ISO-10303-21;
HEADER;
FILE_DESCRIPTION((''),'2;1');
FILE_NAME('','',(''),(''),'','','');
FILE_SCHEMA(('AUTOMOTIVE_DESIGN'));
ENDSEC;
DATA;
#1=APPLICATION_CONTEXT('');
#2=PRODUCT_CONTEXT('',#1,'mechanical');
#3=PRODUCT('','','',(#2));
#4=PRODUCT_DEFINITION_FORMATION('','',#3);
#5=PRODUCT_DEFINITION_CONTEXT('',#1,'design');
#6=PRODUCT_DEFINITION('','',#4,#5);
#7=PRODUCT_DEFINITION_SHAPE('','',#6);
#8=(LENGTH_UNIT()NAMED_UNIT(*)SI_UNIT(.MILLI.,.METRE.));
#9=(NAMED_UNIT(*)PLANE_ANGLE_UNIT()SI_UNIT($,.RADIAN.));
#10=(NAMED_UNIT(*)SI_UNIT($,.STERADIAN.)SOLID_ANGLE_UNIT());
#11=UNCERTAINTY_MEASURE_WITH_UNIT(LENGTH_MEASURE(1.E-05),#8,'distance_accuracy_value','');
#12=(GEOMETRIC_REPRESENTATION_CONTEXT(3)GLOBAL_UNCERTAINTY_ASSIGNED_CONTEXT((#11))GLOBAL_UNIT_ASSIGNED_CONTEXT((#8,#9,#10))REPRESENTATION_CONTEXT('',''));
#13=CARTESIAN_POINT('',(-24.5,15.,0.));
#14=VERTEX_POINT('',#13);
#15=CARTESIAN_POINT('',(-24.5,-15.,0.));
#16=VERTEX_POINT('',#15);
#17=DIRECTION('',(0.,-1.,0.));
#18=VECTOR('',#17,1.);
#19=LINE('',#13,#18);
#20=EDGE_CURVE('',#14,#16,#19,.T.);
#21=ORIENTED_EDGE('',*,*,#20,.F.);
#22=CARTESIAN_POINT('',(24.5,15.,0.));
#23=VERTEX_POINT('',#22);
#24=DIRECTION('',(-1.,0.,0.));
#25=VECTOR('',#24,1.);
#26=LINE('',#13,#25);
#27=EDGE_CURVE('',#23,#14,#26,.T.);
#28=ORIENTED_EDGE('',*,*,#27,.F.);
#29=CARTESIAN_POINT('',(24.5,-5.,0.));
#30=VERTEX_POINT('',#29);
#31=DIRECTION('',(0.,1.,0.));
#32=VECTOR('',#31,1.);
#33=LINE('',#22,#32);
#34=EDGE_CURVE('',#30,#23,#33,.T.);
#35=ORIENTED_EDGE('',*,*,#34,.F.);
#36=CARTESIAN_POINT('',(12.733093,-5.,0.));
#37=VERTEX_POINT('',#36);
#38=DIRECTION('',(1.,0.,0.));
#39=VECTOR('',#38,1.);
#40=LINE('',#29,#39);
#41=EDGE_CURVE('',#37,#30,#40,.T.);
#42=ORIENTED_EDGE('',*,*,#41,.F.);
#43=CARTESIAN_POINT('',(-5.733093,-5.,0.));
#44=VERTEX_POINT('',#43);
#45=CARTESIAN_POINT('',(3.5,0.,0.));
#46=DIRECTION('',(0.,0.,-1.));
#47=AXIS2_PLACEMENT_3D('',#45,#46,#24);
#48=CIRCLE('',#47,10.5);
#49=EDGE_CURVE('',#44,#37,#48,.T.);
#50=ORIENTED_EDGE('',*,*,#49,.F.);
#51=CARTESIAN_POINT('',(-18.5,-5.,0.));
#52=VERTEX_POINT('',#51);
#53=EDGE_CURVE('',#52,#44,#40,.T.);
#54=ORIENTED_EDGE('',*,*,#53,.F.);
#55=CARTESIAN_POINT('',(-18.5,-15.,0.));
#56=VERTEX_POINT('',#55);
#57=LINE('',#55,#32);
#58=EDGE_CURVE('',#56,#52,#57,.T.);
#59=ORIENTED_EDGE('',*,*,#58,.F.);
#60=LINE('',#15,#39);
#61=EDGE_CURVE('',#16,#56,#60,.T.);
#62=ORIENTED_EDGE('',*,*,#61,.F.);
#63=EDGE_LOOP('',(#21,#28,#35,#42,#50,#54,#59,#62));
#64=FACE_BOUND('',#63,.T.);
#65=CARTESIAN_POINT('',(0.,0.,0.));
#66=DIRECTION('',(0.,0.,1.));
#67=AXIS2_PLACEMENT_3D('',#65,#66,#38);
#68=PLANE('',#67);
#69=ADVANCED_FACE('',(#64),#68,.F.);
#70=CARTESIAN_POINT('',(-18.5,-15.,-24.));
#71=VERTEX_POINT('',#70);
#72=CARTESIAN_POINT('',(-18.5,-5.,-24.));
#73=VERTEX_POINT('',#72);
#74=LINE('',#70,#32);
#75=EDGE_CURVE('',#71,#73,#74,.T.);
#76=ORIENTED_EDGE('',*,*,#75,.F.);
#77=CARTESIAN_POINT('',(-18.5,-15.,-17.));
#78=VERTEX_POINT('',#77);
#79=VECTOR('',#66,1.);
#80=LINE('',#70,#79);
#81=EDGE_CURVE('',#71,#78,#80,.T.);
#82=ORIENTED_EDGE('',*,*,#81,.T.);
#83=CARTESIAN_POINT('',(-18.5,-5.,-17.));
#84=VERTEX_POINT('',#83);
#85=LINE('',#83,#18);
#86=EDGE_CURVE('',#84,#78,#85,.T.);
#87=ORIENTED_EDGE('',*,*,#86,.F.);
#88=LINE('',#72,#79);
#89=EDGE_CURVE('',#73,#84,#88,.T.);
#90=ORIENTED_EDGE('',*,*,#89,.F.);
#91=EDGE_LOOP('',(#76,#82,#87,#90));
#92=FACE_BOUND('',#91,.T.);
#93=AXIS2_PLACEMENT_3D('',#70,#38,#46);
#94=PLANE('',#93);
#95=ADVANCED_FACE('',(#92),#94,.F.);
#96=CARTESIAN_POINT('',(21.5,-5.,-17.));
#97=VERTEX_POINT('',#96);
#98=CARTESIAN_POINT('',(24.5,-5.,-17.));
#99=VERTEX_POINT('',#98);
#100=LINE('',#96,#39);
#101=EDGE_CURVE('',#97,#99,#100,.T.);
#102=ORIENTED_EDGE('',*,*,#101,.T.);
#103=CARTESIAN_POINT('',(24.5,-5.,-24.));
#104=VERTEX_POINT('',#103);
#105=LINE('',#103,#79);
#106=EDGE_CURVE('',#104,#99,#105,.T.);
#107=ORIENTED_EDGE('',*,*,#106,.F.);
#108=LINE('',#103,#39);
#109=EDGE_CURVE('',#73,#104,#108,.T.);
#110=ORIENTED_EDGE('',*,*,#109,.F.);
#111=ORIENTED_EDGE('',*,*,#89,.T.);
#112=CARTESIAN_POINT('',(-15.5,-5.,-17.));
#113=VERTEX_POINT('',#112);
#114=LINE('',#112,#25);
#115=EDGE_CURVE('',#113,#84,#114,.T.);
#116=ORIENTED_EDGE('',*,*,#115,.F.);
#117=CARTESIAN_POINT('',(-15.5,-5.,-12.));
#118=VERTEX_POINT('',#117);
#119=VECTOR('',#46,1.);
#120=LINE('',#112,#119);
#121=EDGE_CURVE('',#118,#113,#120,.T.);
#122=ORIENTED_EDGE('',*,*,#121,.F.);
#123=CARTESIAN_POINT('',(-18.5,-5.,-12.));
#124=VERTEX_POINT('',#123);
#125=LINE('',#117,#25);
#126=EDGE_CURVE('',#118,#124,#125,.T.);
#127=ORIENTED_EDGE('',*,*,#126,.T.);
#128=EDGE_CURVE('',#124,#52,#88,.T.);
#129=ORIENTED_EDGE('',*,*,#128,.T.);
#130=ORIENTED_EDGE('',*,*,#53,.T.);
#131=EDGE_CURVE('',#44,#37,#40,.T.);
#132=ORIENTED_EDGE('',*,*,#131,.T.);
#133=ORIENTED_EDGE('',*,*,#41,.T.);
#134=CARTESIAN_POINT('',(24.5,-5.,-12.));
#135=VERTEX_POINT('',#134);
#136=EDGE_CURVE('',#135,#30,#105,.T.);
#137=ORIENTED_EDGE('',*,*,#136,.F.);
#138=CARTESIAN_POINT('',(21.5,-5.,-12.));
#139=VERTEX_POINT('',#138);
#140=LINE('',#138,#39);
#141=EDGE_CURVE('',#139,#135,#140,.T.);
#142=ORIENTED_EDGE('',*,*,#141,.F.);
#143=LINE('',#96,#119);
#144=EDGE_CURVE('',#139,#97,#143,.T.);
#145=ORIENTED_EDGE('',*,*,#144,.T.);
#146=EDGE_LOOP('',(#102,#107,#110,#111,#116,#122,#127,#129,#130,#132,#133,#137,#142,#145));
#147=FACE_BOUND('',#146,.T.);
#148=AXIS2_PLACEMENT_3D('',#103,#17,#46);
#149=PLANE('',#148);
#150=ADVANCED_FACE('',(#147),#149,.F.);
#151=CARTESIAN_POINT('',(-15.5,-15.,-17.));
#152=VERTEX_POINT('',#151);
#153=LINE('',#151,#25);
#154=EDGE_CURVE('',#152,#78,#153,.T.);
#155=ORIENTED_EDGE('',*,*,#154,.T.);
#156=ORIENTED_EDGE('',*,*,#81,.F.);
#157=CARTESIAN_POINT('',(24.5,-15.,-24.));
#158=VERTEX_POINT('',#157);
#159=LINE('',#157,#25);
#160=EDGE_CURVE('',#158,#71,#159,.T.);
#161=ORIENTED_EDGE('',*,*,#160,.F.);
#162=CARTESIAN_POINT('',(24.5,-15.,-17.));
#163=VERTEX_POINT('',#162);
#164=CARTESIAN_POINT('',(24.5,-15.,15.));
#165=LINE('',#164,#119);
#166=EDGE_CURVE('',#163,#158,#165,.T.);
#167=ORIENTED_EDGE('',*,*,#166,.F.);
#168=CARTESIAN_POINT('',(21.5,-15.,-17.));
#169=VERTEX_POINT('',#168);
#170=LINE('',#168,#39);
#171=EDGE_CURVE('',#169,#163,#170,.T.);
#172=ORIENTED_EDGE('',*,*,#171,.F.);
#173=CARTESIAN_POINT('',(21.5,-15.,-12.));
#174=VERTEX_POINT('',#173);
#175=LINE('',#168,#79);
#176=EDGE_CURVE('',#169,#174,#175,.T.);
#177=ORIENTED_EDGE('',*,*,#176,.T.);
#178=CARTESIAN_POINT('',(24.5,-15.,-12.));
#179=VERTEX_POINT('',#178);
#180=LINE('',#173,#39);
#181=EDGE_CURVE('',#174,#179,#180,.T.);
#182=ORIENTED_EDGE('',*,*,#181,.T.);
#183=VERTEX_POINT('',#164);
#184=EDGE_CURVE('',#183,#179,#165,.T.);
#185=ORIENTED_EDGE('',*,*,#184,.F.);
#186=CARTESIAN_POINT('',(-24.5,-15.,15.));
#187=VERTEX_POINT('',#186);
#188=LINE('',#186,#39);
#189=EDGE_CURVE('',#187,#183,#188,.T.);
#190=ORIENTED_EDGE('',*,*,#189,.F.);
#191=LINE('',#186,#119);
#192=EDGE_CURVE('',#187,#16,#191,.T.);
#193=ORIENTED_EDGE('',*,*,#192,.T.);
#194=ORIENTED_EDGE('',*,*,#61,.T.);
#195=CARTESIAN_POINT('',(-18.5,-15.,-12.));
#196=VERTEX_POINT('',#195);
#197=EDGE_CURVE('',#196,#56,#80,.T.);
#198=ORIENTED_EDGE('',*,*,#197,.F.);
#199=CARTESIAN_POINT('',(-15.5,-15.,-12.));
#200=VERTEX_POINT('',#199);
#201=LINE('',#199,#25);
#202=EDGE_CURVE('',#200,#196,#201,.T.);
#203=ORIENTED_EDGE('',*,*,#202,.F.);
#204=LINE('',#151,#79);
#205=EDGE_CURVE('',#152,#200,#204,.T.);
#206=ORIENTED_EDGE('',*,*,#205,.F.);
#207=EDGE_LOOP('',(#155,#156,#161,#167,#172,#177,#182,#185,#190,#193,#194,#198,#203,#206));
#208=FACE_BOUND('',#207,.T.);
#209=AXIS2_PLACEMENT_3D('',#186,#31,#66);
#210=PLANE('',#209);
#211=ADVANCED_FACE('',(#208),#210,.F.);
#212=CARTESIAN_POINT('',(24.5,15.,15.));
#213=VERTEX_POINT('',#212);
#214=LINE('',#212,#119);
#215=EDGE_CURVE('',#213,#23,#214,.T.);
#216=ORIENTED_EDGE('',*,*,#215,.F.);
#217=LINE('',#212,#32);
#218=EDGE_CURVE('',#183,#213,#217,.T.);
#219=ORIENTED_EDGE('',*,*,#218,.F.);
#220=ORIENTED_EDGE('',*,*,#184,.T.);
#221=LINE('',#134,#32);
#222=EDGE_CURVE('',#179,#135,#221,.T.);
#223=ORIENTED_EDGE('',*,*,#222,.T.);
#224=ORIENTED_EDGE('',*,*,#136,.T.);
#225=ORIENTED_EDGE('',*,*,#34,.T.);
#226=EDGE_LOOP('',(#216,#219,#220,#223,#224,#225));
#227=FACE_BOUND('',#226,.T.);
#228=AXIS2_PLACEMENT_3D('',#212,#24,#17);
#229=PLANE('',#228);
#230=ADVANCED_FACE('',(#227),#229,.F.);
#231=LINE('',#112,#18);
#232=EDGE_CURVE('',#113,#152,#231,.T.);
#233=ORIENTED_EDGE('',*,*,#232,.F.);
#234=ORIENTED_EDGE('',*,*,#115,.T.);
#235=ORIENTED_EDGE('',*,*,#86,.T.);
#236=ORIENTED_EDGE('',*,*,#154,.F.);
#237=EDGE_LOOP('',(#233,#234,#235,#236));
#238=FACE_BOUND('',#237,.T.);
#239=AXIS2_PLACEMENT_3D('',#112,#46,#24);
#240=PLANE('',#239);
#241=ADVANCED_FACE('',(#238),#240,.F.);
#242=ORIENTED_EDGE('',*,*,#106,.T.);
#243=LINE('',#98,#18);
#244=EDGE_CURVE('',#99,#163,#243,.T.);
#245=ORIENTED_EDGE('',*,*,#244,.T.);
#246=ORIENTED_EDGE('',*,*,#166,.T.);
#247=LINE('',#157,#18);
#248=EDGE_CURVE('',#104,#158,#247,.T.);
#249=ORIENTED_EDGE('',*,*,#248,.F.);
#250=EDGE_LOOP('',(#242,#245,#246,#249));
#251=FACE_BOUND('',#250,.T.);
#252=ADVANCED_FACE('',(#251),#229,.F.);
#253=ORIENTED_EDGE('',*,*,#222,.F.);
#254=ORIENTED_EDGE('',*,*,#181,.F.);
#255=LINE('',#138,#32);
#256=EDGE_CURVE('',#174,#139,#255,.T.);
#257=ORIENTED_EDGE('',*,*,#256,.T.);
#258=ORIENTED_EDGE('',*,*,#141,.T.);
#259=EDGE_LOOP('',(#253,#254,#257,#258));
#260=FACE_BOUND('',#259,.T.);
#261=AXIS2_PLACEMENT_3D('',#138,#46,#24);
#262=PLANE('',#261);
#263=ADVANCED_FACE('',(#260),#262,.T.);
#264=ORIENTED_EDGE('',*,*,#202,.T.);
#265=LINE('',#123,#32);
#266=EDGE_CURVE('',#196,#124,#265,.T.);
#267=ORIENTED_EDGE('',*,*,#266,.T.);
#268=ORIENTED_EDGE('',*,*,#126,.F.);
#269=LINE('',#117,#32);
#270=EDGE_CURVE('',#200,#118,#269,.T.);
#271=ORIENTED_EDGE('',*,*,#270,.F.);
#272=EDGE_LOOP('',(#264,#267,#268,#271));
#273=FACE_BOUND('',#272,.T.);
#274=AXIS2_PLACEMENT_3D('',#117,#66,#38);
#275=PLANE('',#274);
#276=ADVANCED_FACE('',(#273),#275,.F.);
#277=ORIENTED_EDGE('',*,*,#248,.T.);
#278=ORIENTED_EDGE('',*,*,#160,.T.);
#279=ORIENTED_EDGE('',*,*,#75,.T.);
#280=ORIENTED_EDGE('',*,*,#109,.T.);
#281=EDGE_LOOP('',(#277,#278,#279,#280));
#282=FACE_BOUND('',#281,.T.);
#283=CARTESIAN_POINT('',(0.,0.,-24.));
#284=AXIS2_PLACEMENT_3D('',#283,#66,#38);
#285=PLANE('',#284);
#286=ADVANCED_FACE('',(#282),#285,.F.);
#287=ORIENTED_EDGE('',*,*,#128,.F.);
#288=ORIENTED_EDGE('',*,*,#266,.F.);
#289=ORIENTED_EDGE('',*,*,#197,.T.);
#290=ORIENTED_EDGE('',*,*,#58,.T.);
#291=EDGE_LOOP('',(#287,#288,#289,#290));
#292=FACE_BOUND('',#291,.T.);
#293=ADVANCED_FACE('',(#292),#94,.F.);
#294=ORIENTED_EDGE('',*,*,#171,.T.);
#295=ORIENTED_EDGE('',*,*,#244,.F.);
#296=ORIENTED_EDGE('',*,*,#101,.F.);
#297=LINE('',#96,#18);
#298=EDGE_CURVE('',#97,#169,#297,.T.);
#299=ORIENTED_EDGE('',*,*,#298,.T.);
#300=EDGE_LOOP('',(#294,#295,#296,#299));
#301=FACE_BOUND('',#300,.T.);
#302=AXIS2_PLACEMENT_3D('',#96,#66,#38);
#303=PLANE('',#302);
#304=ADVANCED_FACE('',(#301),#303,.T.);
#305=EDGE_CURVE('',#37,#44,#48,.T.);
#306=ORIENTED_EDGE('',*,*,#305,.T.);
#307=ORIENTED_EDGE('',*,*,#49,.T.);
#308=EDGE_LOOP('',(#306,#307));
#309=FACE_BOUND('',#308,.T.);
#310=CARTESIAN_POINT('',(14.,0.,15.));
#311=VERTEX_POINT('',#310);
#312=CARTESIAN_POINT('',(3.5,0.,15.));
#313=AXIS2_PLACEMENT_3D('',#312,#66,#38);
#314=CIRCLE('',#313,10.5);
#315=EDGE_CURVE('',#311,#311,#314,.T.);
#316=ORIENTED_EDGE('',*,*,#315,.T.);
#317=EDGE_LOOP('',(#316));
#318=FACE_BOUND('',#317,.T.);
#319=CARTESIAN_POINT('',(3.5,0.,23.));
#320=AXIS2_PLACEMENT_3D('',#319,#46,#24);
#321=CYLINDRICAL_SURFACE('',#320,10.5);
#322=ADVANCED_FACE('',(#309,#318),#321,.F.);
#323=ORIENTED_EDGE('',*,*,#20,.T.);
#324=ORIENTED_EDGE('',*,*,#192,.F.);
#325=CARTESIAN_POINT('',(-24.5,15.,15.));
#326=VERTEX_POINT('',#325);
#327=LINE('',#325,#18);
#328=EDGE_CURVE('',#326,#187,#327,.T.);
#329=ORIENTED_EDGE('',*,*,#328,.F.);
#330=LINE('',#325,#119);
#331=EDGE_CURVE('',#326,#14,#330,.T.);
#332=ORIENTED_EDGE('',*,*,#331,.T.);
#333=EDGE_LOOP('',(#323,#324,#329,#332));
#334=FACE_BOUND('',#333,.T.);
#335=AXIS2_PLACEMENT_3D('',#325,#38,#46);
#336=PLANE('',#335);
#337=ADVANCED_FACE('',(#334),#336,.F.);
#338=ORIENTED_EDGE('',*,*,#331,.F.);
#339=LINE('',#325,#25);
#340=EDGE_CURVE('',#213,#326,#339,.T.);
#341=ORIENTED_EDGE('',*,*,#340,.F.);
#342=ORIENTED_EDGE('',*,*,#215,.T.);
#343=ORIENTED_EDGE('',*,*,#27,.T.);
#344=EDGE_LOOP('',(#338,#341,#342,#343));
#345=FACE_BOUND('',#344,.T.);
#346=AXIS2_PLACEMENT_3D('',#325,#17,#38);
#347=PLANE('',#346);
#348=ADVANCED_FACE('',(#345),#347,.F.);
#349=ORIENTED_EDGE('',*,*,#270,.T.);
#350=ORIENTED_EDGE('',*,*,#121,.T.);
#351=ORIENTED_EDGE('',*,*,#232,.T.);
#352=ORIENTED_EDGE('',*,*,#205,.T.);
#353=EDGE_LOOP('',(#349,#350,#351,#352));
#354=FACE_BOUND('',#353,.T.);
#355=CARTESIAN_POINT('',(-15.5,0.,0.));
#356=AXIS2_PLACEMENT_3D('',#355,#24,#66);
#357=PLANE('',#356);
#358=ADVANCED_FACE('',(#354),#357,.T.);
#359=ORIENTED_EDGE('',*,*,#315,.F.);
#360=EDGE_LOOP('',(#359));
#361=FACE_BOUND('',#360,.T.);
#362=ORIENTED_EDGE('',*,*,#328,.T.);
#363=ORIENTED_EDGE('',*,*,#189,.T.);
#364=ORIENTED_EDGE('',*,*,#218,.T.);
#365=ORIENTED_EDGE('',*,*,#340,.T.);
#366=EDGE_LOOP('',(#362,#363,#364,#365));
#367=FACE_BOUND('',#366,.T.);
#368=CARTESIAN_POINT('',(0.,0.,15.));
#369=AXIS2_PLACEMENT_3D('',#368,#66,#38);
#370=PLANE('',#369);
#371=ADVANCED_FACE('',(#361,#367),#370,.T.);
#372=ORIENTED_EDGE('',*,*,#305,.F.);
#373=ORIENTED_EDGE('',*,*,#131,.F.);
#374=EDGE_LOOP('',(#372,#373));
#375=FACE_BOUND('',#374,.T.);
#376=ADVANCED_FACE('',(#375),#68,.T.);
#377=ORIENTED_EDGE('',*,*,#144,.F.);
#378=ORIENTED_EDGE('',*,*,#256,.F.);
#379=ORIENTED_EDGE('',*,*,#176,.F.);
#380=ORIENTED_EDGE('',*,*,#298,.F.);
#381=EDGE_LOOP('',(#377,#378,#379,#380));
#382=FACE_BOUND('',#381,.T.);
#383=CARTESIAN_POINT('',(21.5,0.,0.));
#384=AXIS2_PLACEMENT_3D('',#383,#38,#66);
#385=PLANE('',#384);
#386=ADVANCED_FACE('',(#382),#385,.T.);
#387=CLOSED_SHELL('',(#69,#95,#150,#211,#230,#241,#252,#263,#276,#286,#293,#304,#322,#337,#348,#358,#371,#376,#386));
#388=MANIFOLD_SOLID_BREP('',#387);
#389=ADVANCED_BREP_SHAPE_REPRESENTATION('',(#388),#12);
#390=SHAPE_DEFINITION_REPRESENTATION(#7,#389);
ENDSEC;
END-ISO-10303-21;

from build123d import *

# Parameters (mm, degrees)
SKETCH1_W           = 49
SKETCH1_H           = 30
BOSS_EXTRUDE1_DEPTH = 15
SKETCH3_R           = 10.5
CUT_EXTRUDE1_DEPTH  = 23
SKETCH4_W           = 43
SKETCH4_H           = 10
BOSS_EXTRUDE3_DEPTH = 24
SKETCH5_W           = 5
SKETCH5_H           = 10
CUT_EXTRUDE2_DEPTH  = 3


with BuildPart() as part:
    # Sketch1 → Boss-Extrude1 (new body)
    with BuildSketch(Plane.XY):
        Rectangle(SKETCH1_W, SKETCH1_H)
    extrude(amount=BOSS_EXTRUDE1_DEPTH)

    # Sketch3 → Cut-Extrude1 (cut)
    with BuildSketch(Plane(origin=(0, 0, 0), x_dir=(-1, 0, 0), z_dir=(0, 0, -1))):
        with Locations((-3.5, 0)):
            Circle(SKETCH3_R)
    extrude(amount=-CUT_EXTRUDE1_DEPTH, mode=Mode.SUBTRACT)

    # Sketch4 → Boss-Extrude3 (add)
    with BuildSketch(Plane(origin=(0, 0, 0), x_dir=(-1, 0, 0), z_dir=(0, 0, -1))):
        with Locations((-3, -10)):
            Rectangle(SKETCH4_W, SKETCH4_H)
    extrude(amount=BOSS_EXTRUDE3_DEPTH)

    # Sketch5 → Cut-Extrude2 (cut)
    with BuildSketch(Plane.ZY.offset(18.5)):
        with Locations((-14.5, -10)):
            Rectangle(SKETCH5_W, SKETCH5_H)
    cut_extrude2 = extrude(amount=-CUT_EXTRUDE2_DEPTH, mode=Mode.SUBTRACT)

    # Mirror1: Cut-Extrude2 across plane
    add(cut_extrude2.mirror(Plane.ZY.offset(-3)), mode=Mode.SUBTRACT)


solid = part.part
